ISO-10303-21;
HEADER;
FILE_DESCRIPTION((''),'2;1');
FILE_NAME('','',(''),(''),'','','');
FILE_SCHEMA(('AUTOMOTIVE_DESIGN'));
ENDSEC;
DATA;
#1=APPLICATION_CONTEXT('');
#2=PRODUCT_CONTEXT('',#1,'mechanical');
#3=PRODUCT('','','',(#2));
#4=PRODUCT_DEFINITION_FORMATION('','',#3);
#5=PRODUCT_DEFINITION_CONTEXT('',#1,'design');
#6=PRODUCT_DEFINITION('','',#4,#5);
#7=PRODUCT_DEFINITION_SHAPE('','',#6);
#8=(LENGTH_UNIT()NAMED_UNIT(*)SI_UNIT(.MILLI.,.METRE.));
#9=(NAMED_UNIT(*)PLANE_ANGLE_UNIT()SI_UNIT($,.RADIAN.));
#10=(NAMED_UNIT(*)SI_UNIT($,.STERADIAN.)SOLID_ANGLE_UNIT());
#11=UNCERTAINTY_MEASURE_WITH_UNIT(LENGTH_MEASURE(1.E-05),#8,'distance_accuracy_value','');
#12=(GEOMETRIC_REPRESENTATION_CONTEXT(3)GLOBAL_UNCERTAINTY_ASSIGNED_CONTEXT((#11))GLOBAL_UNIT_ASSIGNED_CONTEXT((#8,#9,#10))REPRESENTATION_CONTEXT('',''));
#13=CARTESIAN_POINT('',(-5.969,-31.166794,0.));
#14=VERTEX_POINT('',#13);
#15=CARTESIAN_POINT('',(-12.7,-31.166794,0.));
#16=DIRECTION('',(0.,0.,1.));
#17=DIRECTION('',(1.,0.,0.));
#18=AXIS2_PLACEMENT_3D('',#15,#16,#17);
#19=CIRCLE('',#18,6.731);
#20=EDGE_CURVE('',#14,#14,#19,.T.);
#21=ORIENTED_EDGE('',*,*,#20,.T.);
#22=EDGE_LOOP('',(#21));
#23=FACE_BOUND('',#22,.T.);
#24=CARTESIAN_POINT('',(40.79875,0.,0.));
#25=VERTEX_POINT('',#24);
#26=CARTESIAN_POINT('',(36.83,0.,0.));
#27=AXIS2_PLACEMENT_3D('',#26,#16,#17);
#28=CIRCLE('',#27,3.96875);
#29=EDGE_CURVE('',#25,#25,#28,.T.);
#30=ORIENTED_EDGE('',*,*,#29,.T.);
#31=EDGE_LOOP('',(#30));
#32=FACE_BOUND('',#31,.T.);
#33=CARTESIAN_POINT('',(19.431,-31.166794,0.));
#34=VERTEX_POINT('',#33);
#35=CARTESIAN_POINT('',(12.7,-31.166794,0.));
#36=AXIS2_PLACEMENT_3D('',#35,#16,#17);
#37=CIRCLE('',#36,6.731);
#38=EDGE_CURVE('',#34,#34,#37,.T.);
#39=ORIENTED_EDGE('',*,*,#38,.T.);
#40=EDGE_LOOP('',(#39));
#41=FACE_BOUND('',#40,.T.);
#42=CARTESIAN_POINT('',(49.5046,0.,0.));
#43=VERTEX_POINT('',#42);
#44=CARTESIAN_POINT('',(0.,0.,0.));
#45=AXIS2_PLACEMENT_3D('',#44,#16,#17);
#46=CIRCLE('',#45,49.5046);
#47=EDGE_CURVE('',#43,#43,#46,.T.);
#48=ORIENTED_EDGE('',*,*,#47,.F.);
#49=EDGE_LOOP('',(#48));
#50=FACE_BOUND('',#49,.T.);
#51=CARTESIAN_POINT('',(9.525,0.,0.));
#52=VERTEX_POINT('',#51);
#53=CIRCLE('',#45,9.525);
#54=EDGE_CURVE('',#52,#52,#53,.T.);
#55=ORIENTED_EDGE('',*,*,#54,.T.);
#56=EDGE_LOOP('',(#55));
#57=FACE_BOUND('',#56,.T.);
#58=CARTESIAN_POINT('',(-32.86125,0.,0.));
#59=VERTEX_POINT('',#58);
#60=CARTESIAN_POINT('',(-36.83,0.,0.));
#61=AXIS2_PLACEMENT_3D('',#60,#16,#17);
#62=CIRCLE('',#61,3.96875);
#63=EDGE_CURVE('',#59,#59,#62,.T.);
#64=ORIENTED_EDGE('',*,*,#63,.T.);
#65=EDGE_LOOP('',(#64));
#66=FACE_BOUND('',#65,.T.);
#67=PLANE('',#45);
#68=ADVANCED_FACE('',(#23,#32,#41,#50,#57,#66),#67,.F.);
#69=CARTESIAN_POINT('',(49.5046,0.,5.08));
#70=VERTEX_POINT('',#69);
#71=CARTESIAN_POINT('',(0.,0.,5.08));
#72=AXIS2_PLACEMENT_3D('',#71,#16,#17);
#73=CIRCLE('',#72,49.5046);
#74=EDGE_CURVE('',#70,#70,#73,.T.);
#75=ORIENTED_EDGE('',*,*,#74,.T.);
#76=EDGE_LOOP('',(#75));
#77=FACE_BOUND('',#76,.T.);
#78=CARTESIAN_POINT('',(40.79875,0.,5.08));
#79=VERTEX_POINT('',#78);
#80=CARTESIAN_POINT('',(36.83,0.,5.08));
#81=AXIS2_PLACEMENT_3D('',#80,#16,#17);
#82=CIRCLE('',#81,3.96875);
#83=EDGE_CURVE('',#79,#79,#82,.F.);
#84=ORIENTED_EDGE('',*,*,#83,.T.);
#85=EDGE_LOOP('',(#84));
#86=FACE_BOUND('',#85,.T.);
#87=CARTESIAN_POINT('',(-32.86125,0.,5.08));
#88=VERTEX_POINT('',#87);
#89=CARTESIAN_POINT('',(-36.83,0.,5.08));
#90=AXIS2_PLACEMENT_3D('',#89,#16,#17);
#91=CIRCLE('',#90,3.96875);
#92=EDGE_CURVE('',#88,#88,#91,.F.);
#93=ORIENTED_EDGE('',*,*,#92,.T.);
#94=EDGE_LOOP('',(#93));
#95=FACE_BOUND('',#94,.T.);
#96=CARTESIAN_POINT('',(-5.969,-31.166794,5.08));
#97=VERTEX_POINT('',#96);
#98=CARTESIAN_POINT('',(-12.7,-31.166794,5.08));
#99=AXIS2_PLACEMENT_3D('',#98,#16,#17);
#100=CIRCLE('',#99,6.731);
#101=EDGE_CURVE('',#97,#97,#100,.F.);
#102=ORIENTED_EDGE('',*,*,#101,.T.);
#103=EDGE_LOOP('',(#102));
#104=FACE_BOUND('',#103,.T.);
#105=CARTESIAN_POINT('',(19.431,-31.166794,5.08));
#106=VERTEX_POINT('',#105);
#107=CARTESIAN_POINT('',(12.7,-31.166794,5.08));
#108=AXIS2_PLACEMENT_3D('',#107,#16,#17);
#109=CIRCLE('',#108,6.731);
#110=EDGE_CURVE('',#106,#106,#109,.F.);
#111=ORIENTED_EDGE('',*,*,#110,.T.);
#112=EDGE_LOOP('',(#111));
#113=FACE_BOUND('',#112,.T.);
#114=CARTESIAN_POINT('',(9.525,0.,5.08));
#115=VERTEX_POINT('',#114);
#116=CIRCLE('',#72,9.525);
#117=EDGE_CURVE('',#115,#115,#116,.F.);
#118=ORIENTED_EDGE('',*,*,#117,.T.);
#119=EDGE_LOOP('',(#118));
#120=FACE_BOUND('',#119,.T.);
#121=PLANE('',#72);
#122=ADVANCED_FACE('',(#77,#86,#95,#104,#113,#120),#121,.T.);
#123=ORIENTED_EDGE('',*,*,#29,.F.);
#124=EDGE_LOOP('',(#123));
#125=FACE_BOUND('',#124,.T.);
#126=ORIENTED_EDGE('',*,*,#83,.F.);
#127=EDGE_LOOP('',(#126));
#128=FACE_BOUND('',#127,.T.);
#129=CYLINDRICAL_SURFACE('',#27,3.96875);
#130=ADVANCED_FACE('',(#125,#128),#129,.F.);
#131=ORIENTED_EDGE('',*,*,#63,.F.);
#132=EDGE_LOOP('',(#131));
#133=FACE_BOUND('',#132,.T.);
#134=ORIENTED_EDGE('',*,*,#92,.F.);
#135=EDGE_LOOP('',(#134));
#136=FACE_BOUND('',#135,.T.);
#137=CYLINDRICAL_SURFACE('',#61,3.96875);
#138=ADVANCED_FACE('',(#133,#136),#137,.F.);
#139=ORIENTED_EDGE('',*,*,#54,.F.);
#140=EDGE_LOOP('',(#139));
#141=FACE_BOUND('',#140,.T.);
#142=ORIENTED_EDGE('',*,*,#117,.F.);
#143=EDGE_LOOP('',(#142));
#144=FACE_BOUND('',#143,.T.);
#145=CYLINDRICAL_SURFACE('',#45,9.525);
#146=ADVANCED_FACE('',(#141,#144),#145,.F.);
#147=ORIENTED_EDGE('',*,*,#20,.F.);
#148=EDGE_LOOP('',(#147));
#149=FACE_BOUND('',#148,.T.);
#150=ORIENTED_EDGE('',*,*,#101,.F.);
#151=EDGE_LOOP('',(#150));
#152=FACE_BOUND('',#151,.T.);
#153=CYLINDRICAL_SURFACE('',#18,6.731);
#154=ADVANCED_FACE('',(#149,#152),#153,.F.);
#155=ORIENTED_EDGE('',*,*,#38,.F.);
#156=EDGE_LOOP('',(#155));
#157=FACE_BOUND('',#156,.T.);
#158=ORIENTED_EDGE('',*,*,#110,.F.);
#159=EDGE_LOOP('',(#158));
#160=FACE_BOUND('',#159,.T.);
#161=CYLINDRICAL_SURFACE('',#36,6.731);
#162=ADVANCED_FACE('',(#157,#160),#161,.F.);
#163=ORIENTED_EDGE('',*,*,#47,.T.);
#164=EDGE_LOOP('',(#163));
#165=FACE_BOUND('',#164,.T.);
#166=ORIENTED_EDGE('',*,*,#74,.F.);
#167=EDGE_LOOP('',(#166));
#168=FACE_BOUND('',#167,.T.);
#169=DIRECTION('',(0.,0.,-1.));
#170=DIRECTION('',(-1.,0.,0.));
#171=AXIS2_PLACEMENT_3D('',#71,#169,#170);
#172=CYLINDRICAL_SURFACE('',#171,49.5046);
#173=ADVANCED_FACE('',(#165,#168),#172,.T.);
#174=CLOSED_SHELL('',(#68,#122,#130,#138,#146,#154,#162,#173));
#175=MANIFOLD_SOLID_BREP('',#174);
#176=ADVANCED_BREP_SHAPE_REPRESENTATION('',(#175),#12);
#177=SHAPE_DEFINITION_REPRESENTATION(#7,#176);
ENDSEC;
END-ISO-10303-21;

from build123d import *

# Parameters (mm, degrees)
SKETCH1_R           = 49.5046
BOSS_EXTRUDE1_DEPTH = 5.08
SKETCH2_R           = 47.625
BOSS_EXTRUDE2_DEPTH = 3.175
SKETCH3_R           = 6.731
SKETCH3_R_2         = 3.96875
SKETCH3_R_3         = 9.525
CUT_EXTRUDE1_DEPTH  = 9.255
SKETCH4_R           = 55.708104083
CUT_EXTRUDE2_DEPTH  = 3.175


with BuildPart() as part:
    # Sketch1 → Boss-Extrude1 (new body)
    with BuildSketch(Plane.XY):
        Circle(SKETCH1_R)
    extrude(amount=BOSS_EXTRUDE1_DEPTH)

    # Sketch2 → Boss-Extrude2 (add)
    with BuildSketch(Plane.XY.offset(5.08)):
        Circle(SKETCH2_R)
    extrude(amount=BOSS_EXTRUDE2_DEPTH)

    # Sketch3 → Cut-Extrude1 (cut, through all)
    with BuildSketch(Plane.XY.offset(8.255)):
        with Locations((-12.7, -31.166793627)):
            Circle(SKETCH3_R)
        with Locations((12.7, -31.166793627)):
            Circle(SKETCH3_R)
        with Locations((-36.83, 0)):
            Circle(SKETCH3_R_2)
        with Locations((36.83, 0)):
            Circle(SKETCH3_R_2)
        Circle(SKETCH3_R_3)
    extrude(amount=-CUT_EXTRUDE1_DEPTH, mode=Mode.SUBTRACT)

    # Sketch4 → Cut-Extrude2 (cut)
    with BuildSketch(Plane.XY.offset(8.255)):
        Circle(SKETCH4_R)
    extrude(amount=-CUT_EXTRUDE2_DEPTH, mode=Mode.SUBTRACT)


solid = part.part
